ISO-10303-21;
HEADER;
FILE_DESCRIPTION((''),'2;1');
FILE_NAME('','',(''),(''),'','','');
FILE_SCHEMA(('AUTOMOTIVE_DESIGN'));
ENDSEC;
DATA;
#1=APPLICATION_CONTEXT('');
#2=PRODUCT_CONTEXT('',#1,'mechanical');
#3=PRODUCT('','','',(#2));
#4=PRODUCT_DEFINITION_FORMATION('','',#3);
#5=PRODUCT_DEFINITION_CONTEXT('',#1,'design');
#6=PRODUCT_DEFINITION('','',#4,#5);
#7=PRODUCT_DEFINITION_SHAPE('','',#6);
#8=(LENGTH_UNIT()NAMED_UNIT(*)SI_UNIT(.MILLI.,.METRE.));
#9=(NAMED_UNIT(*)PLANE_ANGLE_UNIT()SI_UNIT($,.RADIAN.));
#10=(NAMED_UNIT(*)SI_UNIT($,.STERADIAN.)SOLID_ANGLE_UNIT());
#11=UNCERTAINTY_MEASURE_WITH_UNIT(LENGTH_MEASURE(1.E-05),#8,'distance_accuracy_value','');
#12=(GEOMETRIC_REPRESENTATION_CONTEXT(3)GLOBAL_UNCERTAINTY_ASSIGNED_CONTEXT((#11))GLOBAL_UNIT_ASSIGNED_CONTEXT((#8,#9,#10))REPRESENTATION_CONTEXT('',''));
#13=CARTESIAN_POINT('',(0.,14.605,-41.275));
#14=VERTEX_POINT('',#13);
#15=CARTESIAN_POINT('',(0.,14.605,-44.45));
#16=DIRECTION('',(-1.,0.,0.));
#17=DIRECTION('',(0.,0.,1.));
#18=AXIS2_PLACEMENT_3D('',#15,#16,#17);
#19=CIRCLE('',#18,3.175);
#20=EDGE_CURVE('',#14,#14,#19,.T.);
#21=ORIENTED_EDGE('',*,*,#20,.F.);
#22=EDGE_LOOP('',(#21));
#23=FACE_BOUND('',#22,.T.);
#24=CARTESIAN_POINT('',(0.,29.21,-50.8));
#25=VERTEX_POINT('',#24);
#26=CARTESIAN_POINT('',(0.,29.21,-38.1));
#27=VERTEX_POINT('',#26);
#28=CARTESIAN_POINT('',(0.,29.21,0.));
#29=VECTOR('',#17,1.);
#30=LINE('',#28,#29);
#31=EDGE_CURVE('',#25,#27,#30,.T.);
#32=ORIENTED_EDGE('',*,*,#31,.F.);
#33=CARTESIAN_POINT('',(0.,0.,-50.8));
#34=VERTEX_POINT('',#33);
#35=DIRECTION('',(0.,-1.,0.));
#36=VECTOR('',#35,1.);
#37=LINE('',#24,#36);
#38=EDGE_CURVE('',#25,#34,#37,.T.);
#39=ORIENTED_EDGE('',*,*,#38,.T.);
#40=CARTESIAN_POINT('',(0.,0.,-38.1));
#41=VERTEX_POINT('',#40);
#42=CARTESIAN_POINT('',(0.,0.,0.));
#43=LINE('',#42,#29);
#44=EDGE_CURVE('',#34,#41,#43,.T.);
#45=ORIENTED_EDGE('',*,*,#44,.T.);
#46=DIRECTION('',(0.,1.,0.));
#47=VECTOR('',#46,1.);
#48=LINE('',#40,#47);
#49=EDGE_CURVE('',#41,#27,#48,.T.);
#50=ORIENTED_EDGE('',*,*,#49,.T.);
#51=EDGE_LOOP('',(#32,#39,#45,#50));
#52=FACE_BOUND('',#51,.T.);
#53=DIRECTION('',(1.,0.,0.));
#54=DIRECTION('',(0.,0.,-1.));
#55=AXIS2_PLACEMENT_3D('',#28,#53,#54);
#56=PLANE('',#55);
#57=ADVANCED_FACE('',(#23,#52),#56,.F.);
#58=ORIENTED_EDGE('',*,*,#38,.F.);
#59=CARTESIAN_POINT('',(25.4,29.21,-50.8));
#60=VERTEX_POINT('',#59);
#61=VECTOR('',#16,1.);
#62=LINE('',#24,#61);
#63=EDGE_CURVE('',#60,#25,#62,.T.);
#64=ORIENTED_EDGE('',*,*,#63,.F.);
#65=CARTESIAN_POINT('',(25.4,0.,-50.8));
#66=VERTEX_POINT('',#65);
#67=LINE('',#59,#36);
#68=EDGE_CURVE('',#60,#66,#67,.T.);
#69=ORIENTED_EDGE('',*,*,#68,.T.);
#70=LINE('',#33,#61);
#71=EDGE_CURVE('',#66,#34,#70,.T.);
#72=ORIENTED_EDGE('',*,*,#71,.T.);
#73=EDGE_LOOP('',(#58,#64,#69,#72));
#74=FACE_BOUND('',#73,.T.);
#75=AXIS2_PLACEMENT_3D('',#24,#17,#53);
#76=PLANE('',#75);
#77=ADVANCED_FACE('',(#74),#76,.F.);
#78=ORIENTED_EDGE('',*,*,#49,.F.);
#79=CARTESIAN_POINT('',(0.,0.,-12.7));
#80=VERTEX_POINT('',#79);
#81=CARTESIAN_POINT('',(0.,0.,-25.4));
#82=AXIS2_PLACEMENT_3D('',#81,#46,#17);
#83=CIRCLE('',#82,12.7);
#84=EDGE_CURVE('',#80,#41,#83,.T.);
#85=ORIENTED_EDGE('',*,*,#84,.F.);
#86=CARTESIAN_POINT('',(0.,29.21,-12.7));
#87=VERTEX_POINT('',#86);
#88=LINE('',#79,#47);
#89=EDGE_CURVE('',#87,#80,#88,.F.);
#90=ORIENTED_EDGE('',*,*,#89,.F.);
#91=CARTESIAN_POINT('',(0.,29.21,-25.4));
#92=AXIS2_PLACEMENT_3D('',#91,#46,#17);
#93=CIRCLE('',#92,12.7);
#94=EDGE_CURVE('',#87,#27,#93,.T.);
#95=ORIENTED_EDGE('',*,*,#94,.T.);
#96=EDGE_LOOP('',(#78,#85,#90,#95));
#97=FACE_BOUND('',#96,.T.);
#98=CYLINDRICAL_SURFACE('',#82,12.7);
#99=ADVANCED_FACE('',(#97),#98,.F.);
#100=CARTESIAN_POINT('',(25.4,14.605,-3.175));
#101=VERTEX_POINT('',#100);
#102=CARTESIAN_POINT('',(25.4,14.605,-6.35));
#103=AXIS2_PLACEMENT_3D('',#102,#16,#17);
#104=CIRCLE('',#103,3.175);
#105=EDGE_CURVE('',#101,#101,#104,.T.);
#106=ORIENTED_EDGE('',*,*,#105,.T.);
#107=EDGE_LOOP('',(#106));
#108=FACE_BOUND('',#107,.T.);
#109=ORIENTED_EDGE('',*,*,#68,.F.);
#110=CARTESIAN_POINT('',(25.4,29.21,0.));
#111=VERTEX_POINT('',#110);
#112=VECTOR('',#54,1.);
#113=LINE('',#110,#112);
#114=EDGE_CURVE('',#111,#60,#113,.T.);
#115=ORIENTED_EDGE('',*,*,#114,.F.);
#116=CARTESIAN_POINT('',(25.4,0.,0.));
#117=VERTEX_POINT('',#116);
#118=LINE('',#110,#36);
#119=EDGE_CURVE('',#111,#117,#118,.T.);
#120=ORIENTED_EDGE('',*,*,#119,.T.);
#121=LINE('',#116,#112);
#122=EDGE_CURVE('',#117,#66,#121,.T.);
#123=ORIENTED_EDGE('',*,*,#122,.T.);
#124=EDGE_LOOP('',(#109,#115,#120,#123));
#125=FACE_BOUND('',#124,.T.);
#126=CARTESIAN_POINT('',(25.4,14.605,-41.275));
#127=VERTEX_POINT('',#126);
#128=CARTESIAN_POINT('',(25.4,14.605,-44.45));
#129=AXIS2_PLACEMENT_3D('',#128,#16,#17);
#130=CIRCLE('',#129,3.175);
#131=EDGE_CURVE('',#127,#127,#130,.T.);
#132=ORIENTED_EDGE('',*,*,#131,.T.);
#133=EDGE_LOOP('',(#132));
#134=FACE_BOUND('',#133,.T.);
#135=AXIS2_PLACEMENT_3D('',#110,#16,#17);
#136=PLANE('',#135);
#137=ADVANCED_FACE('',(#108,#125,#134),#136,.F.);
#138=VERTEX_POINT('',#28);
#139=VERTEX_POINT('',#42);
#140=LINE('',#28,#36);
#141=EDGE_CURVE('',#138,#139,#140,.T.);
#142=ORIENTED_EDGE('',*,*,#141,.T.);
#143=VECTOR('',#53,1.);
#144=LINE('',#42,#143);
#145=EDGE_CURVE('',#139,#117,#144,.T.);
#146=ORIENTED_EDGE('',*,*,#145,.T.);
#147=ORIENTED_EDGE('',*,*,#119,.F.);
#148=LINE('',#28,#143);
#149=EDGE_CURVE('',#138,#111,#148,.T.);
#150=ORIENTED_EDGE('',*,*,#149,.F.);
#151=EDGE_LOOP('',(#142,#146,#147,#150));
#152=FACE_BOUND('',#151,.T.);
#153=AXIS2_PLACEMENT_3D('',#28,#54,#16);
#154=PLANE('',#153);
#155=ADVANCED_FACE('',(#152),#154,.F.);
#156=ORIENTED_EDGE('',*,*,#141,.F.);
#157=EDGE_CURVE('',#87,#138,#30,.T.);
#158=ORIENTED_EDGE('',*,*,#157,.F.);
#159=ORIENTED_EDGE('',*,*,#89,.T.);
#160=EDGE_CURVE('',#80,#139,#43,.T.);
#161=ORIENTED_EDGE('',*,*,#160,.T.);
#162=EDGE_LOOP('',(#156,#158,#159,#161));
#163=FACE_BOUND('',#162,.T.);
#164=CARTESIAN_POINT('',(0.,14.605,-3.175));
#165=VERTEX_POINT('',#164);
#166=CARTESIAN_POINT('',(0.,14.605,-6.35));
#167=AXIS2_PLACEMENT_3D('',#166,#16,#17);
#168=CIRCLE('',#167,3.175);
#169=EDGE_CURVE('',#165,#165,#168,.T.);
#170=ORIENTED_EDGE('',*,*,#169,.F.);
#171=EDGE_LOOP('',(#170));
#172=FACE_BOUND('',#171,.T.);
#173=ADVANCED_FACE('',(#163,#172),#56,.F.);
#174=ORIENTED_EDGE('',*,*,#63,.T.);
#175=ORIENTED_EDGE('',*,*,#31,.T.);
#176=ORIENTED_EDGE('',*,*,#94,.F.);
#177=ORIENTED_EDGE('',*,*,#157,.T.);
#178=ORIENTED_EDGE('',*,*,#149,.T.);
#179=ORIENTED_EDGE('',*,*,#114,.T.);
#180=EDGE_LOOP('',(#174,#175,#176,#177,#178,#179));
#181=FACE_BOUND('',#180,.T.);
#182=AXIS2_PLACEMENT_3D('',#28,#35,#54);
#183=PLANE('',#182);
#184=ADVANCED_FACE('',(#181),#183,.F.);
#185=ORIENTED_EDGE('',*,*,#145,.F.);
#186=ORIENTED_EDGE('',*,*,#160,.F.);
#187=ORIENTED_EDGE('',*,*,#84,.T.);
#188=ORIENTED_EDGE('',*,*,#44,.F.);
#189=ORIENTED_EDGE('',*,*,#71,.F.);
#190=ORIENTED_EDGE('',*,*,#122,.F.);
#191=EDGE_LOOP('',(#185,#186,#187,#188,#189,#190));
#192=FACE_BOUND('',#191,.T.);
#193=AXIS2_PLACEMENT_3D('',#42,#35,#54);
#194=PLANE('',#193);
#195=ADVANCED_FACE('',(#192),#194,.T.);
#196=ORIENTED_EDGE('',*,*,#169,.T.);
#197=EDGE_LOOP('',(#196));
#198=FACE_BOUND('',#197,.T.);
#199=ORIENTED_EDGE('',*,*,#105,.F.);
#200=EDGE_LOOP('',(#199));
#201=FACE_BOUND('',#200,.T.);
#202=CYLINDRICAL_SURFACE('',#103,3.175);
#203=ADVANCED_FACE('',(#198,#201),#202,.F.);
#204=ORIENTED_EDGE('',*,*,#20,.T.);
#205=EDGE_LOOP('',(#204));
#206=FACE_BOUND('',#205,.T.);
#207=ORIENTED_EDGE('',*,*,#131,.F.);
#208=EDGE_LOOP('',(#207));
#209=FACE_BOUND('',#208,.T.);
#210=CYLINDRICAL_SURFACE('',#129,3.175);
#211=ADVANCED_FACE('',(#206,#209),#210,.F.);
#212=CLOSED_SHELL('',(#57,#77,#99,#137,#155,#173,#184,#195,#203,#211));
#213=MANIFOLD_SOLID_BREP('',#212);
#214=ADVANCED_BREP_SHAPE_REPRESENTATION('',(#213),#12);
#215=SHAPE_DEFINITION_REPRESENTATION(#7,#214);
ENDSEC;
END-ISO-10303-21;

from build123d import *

# Parameters (mm, degrees)
SKETCH1_W           = 25.4
SKETCH1_H           = 50.8
BOSS_EXTRUDE1_DEPTH = 29.21
SKETCH2_R           = 12.7
CUT_EXTRUDE1_DEPTH  = 64.86723808
SKETCH4_R           = 3.175
CUT_EXTRUDE2_DEPTH  = 64.86723808
SKETCH5_R           = 3.175
CUT_EXTRUDE3_DEPTH  = 64.86723808


with BuildPart() as part:
    # Sketch1 → Boss-Extrude1 (new body)
    with BuildSketch(Plane(origin=(0, 0, 0), x_dir=(1, 0, 0), z_dir=(0, 1, 0))):
        with Locations((12.7, 25.4)):
            Rectangle(SKETCH1_W, SKETCH1_H)
    extrude(amount=BOSS_EXTRUDE1_DEPTH)

    # Sketch2 → Cut-Extrude1 (cut, through all)
    with BuildSketch(Plane(origin=(0, 29.21, 0), x_dir=(1, 0, 0), z_dir=(0, 1, 0))):
        with Locations((0, 25.4)):
            Circle(SKETCH2_R)
    extrude(amount=-CUT_EXTRUDE1_DEPTH, mode=Mode.SUBTRACT)

    # Sketch4 → Cut-Extrude2 (cut, through all)
    with BuildSketch(Plane.ZY):
        with Locations((-44.45, 14.605)):
            Circle(SKETCH4_R)
    extrude(amount=-CUT_EXTRUDE2_DEPTH, mode=Mode.SUBTRACT)

    # Sketch5 → Cut-Extrude3 (cut, through all)
    with BuildSketch(Plane.ZY):
        with Locations((-6.35, 14.605)):
            Circle(SKETCH5_R)
    extrude(amount=-CUT_EXTRUDE3_DEPTH, mode=Mode.SUBTRACT)


solid = part.part
